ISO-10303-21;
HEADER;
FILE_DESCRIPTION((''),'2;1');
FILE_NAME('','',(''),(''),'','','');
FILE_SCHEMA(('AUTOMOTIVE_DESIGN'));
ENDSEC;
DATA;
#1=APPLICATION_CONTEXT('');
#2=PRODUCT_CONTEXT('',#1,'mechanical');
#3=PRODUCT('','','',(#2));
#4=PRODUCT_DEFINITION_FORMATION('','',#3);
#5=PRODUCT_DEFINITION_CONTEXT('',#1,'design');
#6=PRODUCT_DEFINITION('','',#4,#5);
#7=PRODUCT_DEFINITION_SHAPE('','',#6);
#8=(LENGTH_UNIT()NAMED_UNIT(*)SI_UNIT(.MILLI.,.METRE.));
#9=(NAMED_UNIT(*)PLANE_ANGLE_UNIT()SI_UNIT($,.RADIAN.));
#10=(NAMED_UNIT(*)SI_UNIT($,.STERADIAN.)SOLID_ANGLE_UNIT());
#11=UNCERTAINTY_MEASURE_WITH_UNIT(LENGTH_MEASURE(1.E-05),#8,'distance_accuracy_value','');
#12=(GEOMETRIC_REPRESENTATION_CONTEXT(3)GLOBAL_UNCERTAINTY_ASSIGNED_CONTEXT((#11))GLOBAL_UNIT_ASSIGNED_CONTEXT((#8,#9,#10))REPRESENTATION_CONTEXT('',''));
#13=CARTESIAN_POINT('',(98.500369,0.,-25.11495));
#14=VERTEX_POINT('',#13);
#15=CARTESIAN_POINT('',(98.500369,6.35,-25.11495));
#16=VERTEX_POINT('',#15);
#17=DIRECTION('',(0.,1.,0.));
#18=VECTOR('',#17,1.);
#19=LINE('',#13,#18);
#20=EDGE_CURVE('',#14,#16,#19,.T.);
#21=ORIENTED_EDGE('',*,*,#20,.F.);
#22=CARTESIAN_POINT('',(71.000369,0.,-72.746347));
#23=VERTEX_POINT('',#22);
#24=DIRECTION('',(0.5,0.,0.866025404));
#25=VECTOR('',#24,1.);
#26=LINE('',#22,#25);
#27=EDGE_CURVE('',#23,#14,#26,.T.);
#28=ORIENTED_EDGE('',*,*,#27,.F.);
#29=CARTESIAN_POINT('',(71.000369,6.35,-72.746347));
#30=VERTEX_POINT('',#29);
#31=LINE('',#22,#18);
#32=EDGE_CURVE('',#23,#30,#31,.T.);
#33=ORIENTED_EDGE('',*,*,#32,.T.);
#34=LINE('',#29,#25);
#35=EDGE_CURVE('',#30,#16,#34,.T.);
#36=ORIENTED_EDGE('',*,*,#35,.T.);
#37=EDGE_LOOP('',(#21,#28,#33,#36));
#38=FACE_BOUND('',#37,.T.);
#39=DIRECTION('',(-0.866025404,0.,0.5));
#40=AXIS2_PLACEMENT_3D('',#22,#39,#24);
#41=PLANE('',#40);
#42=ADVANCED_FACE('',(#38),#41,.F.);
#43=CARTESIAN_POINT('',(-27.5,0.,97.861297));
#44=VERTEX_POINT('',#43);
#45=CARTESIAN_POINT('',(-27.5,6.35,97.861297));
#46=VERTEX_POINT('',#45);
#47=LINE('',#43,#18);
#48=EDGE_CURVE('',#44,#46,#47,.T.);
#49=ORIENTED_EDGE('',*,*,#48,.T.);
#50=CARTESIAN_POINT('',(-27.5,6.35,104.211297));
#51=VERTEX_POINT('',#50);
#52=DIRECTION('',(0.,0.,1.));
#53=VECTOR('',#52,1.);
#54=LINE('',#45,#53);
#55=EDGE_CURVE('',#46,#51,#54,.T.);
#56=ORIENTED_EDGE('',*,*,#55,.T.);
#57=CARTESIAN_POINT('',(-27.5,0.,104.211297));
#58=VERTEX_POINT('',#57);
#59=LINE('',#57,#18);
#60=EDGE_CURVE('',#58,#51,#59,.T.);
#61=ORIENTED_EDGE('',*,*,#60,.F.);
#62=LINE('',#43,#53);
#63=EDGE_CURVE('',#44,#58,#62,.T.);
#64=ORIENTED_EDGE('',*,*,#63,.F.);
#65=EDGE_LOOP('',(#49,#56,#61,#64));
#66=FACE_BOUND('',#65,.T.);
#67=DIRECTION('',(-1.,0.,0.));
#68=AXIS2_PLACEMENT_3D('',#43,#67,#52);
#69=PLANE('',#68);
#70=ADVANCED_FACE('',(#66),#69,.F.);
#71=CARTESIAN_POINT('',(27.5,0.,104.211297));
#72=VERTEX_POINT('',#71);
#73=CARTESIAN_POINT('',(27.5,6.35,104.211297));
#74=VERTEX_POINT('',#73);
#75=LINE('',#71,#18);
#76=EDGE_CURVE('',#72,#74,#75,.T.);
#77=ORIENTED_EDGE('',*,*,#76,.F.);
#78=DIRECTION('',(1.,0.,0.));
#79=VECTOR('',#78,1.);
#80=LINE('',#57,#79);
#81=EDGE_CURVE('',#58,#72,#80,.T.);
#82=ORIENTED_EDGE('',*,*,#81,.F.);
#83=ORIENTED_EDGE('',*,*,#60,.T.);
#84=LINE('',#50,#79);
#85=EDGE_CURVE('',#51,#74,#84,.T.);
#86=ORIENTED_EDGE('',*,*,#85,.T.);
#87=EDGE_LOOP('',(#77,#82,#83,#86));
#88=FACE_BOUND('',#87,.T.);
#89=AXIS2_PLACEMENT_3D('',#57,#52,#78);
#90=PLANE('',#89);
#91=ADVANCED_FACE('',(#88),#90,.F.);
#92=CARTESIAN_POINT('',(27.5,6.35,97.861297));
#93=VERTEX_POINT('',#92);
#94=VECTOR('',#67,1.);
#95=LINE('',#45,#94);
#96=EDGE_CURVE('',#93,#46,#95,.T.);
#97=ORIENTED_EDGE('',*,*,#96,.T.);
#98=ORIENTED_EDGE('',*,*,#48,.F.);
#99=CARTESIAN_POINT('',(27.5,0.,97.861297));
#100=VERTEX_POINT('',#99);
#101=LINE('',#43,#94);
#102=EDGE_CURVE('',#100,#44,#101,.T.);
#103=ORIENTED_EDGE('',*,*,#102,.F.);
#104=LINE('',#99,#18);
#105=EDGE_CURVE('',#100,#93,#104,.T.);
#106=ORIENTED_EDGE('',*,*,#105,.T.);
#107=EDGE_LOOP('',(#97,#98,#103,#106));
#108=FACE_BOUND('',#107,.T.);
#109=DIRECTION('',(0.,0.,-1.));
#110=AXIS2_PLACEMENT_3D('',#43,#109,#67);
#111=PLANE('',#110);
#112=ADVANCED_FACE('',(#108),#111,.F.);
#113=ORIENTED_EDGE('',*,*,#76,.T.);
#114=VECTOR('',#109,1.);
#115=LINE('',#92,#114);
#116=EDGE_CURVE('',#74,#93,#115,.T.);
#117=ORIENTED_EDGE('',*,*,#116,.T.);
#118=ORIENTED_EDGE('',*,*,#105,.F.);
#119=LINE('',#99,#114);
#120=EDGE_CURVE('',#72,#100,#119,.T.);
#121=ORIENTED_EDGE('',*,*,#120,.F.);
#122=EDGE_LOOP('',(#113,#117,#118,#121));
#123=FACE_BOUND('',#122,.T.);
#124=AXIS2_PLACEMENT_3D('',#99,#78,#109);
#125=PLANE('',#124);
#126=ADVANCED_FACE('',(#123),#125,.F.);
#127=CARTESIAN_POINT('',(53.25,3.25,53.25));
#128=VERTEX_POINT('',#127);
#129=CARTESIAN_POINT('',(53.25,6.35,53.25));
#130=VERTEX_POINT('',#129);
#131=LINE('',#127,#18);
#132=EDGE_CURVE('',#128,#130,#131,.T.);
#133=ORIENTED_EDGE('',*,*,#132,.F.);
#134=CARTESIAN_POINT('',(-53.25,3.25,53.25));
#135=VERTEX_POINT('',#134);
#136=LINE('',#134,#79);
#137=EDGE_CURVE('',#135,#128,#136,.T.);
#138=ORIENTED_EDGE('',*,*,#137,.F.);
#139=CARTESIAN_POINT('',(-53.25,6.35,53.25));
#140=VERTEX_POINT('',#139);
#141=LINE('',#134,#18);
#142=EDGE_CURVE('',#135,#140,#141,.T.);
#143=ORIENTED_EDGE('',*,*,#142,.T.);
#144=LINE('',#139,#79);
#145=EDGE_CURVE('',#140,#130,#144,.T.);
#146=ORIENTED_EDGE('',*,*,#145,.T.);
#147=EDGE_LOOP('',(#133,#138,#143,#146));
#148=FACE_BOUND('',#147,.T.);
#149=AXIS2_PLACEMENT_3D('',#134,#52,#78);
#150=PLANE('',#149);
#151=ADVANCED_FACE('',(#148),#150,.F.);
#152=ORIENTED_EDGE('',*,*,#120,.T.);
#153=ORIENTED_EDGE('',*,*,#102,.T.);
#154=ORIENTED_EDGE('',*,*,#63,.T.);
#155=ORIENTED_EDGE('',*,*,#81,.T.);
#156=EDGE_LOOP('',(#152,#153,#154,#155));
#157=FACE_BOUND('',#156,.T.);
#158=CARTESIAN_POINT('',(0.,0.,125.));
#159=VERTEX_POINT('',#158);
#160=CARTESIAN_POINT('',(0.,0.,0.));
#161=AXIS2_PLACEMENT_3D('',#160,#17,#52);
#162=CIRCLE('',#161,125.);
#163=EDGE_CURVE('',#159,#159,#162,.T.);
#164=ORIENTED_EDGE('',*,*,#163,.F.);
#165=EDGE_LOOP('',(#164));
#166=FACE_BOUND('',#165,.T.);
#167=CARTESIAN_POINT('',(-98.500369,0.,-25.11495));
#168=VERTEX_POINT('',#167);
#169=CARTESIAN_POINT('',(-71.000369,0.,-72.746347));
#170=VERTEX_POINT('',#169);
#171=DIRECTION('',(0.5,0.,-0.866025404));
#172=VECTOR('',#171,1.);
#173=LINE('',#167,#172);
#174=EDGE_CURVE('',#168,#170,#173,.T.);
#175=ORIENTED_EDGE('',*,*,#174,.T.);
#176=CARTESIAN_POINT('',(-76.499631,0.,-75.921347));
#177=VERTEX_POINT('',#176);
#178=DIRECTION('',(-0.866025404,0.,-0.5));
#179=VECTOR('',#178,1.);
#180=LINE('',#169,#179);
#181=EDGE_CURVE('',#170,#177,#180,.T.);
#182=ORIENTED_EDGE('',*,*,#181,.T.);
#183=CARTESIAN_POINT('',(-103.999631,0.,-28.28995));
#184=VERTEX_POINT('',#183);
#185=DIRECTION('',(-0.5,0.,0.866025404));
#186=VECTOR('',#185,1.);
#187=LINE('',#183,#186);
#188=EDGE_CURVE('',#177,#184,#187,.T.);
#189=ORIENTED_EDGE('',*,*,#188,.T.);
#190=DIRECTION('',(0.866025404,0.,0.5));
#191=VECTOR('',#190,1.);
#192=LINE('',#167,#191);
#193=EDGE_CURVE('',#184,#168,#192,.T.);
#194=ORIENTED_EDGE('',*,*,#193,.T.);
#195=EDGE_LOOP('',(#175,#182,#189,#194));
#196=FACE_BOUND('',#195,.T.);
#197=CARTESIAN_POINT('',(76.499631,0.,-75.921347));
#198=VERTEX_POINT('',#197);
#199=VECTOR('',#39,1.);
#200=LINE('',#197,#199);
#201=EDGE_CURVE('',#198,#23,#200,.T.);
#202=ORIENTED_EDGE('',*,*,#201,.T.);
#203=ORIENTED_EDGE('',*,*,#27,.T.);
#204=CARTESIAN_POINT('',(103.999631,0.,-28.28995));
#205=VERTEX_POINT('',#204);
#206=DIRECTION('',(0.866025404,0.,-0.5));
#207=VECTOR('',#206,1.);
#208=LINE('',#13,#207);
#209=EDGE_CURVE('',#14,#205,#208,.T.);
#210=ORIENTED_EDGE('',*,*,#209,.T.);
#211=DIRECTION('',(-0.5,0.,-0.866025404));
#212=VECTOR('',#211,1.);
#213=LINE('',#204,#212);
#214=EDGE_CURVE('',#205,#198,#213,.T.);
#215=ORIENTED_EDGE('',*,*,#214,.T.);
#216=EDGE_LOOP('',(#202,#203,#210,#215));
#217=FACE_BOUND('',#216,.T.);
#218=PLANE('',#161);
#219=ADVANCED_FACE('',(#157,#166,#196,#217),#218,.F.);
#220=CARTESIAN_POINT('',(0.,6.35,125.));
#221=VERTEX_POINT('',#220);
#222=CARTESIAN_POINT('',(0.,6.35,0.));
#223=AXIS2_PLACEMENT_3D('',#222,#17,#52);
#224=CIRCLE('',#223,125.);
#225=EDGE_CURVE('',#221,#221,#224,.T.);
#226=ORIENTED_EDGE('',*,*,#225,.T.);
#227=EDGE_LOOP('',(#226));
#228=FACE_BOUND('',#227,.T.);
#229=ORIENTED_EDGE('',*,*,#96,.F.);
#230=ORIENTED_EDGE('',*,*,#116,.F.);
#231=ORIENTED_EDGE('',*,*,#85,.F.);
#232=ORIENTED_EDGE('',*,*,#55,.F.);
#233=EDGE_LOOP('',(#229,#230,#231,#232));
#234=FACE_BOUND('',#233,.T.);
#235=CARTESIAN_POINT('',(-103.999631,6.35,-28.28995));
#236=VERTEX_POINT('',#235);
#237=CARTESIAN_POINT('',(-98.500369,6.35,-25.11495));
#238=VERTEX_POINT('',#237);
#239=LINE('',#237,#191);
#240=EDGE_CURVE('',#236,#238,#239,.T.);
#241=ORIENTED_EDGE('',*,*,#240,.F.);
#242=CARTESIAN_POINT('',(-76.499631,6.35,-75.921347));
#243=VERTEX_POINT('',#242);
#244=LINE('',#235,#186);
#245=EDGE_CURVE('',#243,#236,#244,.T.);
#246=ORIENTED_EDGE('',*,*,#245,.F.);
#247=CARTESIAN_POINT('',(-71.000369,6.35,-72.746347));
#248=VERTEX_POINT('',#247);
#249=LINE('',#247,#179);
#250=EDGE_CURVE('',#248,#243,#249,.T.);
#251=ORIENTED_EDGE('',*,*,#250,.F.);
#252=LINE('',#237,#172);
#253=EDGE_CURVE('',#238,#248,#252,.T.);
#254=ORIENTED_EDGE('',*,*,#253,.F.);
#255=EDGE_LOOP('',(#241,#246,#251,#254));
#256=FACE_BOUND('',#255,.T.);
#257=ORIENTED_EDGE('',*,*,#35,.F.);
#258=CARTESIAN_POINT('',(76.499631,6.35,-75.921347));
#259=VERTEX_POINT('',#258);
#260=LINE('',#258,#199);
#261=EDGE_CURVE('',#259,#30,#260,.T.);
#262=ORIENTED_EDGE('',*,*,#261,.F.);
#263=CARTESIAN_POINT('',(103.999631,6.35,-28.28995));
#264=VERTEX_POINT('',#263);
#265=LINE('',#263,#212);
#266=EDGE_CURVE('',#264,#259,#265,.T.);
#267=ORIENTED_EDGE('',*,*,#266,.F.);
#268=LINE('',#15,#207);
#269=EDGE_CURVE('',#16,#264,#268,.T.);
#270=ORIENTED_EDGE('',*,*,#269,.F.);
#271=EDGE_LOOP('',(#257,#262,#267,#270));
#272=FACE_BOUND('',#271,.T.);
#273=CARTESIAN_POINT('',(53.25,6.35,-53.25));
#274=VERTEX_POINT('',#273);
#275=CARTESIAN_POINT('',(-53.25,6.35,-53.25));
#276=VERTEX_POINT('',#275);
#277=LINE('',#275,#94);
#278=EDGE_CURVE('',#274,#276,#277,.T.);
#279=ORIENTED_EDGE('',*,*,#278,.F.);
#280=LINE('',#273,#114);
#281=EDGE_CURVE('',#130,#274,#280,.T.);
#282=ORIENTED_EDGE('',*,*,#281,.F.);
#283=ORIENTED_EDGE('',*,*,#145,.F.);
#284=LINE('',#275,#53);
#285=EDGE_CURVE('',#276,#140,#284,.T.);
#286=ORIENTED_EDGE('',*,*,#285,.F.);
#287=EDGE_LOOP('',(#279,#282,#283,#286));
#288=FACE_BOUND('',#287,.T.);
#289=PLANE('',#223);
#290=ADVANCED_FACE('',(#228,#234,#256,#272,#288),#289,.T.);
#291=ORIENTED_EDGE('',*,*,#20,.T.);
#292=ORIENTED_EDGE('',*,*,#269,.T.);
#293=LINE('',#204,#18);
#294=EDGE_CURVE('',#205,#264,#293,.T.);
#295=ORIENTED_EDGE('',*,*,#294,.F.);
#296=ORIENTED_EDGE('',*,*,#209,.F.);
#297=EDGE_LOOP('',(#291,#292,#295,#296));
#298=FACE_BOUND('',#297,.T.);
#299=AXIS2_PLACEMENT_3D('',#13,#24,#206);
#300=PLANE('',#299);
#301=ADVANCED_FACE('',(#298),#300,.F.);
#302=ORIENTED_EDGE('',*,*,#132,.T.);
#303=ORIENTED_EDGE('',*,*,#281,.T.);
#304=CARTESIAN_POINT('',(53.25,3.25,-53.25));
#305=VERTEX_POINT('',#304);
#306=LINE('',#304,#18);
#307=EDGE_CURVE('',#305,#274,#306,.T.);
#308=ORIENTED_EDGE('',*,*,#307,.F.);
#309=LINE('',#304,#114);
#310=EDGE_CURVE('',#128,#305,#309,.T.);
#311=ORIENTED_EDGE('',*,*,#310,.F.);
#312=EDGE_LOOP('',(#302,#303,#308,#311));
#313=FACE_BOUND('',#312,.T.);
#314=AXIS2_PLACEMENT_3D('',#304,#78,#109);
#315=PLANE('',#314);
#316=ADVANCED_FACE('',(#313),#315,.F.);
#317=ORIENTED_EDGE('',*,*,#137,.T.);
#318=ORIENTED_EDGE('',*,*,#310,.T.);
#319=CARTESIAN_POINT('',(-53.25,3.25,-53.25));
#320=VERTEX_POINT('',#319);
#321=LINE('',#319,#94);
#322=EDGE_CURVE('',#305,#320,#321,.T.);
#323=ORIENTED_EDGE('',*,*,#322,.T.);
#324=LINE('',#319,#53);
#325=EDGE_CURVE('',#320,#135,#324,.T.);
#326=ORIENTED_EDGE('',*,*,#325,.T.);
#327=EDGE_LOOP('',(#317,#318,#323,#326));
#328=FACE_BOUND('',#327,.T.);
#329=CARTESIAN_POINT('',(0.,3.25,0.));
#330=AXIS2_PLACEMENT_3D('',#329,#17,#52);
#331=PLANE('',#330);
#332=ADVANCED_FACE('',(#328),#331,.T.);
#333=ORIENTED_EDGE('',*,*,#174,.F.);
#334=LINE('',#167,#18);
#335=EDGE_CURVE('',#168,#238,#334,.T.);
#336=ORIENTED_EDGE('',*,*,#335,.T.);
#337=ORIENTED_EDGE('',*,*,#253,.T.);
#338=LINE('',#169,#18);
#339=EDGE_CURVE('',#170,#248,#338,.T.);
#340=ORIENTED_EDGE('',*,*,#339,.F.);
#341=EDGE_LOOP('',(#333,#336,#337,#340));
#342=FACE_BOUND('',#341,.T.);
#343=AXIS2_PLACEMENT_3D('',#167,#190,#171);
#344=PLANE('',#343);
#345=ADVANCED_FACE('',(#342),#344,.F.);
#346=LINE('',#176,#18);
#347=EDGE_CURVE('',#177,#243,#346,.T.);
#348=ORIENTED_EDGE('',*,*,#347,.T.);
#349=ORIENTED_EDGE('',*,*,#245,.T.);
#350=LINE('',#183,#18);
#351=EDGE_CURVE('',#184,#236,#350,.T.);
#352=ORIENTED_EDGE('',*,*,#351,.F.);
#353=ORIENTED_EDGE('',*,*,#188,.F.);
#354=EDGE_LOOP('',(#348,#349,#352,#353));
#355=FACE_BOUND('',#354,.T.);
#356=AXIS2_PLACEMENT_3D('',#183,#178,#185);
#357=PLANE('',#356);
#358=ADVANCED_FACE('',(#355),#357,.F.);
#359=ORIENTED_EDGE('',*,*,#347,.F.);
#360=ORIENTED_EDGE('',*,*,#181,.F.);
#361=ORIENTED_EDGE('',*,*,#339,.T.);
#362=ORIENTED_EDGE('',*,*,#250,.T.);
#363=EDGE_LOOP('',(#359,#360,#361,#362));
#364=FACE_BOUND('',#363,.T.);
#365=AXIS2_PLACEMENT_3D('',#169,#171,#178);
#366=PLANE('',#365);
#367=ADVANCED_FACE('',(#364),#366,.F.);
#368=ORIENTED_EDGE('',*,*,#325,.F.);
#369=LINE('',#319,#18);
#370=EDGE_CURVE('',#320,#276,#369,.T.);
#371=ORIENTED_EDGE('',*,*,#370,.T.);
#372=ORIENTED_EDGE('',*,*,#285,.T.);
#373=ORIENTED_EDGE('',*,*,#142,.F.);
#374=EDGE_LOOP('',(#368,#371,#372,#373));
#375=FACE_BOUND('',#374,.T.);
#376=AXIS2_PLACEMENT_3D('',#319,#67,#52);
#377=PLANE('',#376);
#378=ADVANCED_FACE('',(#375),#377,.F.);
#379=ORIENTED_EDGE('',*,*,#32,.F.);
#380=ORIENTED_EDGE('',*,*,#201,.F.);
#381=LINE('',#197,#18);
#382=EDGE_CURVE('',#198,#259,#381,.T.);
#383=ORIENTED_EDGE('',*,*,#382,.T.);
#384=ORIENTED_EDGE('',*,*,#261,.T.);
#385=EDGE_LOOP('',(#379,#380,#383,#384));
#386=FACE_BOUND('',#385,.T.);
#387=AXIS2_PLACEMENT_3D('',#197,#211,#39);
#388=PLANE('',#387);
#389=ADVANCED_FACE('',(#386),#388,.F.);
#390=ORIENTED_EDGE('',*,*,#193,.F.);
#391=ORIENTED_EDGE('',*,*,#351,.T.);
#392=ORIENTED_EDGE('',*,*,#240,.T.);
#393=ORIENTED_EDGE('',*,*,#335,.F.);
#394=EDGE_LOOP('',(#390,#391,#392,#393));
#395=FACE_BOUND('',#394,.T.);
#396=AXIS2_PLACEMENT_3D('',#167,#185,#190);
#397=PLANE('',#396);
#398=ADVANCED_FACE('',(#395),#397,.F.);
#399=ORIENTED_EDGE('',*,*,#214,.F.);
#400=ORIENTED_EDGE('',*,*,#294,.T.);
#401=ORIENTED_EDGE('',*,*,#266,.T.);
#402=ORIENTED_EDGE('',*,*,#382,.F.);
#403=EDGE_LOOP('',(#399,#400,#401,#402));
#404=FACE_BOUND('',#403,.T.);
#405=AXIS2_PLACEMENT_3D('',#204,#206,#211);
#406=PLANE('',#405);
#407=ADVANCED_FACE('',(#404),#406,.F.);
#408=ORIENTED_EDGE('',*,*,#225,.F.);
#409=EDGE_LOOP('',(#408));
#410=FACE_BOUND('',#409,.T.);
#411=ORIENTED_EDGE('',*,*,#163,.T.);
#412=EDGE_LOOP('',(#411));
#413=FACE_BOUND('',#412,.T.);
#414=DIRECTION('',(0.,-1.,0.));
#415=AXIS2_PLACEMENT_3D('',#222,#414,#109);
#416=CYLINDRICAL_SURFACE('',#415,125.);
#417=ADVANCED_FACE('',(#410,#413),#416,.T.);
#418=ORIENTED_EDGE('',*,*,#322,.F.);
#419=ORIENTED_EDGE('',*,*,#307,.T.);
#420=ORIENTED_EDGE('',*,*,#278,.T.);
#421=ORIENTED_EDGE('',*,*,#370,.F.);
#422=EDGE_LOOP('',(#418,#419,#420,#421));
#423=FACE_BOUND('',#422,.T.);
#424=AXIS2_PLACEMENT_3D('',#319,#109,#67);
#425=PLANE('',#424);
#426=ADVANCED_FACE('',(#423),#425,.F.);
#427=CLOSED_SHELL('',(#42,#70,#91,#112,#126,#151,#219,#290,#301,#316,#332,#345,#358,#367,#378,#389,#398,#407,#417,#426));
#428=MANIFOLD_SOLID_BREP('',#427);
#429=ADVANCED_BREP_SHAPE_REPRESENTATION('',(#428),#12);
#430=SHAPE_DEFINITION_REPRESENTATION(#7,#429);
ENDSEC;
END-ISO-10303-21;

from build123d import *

# Parameters (mm, degrees)
SKETCH1_R           = 125
BOSS_EXTRUDE1_DEPTH = 6.35
SKETCH3_W           = 55
SKETCH3_H           = 6.35
CUT_EXTRUDE1_DEPTH  = 177.890707783
SKETCH4_W           = 106.5
SKETCH4_H           = 106.5
CUT_EXTRUDE2_DEPTH  = 3.1


with BuildPart() as part:
    # Sketch1 → Boss-Extrude1 (new body)
    with BuildSketch(Plane(origin=(0, 0, 0), x_dir=(1, 0, 0), z_dir=(0, 1, 0))):
        Circle(SKETCH1_R)
    extrude(amount=BOSS_EXTRUDE1_DEPTH)

    # Sketch3 → Cut-Extrude1 (cut, through all)
    with BuildSketch(Plane(origin=(0, 6.35, 0), x_dir=(1, 0, 0), z_dir=(0, 1, 0))):
        Polygon((-98.500369343, 25.11494995), (-103.999630657, 28.28994995), (-76.499630657, 75.921347158), (-71.000369343, 72.746347158), align=None)
        Polygon((71.000369343, 72.746347158), (98.500369343, 25.11494995), (103.999630657, 28.28994995), (76.499630657, 75.921347158), align=None)
        with Locations((0, -101.036297108)):
            Rectangle(SKETCH3_W, SKETCH3_H)
    extrude(amount=-CUT_EXTRUDE1_DEPTH, mode=Mode.SUBTRACT)

    # Sketch4 → Cut-Extrude2 (cut)
    with BuildSketch(Plane(origin=(0, 6.35, 0), x_dir=(1, 0, 0), z_dir=(0, 1, 0))):
        Rectangle(SKETCH4_W, SKETCH4_H)
    extrude(amount=-CUT_EXTRUDE2_DEPTH, mode=Mode.SUBTRACT)


solid = part.part
